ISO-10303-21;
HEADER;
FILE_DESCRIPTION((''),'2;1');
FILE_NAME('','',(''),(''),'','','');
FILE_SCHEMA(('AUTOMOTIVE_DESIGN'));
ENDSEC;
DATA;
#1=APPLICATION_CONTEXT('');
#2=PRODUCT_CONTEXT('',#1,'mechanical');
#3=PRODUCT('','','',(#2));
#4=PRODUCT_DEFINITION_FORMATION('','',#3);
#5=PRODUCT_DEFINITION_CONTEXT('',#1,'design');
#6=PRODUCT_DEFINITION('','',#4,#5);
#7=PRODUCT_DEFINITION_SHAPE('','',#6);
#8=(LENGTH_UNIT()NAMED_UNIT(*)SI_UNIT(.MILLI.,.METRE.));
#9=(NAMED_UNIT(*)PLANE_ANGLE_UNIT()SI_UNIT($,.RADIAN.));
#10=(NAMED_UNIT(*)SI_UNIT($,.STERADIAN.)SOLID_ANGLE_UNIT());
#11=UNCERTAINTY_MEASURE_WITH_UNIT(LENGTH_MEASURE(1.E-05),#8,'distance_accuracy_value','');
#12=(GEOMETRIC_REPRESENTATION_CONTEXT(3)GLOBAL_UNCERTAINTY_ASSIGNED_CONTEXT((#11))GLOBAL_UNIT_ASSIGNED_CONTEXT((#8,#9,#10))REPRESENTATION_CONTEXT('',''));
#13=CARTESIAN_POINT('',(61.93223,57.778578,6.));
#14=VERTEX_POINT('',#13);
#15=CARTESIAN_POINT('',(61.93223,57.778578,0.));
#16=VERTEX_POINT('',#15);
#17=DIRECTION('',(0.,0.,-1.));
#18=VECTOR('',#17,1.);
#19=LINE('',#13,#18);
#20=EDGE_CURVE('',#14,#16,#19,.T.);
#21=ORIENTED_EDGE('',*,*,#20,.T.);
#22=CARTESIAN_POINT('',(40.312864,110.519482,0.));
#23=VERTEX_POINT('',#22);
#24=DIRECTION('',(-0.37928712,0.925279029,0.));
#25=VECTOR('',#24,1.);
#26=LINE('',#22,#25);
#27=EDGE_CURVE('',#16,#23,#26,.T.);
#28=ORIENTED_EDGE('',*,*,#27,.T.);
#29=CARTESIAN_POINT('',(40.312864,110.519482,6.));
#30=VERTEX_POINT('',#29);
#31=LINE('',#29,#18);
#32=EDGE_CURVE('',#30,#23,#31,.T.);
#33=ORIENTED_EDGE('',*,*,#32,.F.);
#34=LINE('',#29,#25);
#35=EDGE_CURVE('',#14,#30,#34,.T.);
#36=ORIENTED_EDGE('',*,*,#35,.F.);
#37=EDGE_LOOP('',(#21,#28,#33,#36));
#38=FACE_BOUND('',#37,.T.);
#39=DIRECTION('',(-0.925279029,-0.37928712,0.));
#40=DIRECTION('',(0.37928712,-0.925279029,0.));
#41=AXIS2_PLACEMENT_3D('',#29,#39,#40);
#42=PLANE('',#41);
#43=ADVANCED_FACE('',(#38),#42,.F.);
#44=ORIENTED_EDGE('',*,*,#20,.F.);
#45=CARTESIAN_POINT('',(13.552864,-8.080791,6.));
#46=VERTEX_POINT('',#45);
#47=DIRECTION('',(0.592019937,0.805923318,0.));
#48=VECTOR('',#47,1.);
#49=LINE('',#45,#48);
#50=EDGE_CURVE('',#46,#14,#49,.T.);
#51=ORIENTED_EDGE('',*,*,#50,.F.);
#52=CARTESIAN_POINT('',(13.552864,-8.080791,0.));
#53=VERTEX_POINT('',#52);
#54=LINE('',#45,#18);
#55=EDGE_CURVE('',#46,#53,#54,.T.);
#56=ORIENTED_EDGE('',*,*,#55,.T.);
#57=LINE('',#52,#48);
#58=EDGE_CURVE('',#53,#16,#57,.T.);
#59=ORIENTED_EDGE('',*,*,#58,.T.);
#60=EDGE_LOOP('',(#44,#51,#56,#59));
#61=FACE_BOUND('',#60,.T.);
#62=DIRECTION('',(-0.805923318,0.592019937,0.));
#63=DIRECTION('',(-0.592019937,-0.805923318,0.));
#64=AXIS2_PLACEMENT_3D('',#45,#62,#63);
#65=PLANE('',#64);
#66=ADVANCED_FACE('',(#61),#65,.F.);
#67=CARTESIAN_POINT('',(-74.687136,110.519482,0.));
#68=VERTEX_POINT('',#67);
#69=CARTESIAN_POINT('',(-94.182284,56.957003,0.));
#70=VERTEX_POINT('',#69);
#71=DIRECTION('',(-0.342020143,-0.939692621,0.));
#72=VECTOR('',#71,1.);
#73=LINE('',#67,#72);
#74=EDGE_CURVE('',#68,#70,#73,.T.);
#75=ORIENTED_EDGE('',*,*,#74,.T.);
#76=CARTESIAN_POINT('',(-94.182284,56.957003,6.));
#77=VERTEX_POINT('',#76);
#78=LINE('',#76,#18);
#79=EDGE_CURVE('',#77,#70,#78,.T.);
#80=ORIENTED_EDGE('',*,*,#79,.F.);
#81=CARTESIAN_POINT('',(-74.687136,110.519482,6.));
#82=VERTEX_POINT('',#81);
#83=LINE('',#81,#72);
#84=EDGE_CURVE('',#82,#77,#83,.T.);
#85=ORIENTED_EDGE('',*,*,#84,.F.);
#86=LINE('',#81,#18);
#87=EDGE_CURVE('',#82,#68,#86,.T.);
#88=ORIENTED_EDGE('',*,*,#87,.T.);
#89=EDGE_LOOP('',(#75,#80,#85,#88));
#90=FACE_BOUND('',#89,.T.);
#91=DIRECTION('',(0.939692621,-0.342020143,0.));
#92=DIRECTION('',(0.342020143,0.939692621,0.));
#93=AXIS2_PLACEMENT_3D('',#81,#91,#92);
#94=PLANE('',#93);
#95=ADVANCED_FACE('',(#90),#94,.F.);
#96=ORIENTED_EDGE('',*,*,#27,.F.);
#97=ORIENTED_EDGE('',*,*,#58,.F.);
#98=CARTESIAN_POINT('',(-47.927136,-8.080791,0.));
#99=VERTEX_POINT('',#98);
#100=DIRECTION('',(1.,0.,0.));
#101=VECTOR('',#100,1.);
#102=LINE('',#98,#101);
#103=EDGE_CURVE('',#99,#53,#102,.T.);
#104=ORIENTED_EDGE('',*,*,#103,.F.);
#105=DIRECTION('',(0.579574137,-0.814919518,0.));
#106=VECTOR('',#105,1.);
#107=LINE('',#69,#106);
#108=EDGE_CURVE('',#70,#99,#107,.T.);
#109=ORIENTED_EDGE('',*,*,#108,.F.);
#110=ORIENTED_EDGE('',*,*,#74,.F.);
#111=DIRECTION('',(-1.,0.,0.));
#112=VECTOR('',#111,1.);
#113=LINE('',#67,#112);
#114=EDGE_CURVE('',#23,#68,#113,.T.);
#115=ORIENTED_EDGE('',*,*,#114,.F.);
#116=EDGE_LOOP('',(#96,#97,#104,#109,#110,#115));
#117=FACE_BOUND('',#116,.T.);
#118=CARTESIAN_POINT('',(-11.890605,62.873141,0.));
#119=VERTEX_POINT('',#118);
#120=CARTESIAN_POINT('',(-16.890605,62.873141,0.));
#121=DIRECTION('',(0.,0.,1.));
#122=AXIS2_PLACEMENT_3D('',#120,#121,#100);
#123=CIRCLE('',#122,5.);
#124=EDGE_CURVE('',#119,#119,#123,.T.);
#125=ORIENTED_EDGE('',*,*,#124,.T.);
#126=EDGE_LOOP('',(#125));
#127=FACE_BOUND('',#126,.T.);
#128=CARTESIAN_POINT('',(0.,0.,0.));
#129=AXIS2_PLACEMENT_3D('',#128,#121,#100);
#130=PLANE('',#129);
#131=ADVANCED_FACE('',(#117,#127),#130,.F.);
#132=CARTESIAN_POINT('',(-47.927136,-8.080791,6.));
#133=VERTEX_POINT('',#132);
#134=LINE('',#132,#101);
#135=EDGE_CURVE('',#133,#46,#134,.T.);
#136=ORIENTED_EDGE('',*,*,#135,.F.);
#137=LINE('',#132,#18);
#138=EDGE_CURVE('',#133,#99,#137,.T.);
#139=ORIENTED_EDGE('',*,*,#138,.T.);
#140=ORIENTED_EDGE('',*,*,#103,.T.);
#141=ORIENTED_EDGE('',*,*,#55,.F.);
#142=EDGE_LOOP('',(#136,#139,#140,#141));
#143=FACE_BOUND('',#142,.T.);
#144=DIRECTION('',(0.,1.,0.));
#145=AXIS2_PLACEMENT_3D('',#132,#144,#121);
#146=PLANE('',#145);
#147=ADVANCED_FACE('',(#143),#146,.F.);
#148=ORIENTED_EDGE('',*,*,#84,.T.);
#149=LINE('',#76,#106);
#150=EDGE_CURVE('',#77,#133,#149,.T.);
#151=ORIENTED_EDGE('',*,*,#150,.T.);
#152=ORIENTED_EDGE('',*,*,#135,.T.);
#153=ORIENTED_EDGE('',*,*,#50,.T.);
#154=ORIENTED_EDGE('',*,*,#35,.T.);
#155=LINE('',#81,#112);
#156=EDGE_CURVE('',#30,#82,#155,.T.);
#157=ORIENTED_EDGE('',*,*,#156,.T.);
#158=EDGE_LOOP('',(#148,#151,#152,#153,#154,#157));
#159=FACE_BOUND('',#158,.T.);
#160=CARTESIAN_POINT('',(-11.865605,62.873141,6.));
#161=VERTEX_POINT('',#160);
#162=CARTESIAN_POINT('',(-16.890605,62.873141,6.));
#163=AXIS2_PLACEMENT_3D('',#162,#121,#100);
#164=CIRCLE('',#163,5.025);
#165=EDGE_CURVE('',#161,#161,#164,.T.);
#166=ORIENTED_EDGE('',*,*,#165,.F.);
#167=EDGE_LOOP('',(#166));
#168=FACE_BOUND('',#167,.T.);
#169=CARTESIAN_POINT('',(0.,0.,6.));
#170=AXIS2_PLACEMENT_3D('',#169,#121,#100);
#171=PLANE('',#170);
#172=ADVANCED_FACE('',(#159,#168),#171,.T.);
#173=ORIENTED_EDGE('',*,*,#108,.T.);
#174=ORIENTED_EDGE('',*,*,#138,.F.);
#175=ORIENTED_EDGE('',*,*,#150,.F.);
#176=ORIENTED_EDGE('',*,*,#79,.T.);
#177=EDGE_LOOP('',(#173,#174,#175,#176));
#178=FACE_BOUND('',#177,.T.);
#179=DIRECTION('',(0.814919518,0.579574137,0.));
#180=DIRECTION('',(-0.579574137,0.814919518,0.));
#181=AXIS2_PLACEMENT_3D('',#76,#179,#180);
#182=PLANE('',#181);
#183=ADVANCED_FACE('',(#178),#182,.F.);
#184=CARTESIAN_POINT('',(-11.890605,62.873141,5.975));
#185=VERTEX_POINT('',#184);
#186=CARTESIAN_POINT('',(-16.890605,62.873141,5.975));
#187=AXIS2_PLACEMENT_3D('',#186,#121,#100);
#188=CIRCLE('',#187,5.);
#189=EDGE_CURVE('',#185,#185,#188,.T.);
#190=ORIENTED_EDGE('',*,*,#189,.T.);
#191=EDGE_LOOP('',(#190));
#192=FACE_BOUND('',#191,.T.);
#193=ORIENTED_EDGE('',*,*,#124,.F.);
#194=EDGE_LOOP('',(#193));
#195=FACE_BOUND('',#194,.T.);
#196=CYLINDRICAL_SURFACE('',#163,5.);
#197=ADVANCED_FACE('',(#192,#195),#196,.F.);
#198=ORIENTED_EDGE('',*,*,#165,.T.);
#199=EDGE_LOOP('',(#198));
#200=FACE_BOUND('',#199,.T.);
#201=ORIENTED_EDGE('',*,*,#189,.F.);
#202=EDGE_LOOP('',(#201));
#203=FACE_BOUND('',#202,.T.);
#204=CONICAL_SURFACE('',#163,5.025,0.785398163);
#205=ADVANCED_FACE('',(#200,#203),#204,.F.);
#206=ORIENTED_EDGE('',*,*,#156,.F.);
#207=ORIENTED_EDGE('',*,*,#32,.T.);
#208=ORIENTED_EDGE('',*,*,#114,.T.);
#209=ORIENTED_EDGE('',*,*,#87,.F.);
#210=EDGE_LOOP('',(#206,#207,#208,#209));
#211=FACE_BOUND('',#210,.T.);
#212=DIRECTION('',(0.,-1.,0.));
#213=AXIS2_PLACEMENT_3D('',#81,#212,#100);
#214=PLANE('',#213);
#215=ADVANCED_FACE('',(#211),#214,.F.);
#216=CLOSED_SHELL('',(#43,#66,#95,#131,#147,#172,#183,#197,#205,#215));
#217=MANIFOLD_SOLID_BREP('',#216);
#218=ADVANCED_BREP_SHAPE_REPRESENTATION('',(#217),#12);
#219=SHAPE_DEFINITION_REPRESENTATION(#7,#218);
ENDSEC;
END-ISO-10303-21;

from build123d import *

# Parameters (mm, degrees)
BOSS_EXTRUDE1_DEPTH              = 6
F_10_0MM_DOWEL_HOLE2_D           = 10
F_10_0MM_DOWEL_HOLE2_DEPTH       = 50
F_10_0MM_DOWEL_HOLE2_CSINK_D     = 10.05
F_10_0MM_DOWEL_HOLE2_CSINK_ANGLE = 90
F_10_0MM_DOWEL_HOLE2_TIP         = 3.004303095


with BuildPart() as part:
    # Sketch1 → Boss-Extrude1 (new body)
    with BuildSketch(Plane.XY):
        Polygon((-47.927135712, -8.080790765), (13.552864288, -8.080790765), (61.932230114, 57.778577521), (40.312864288, 110.519482152), (-74.687135712, 110.519482152), (-94.182283881, 56.957002767), align=None)
    extrude(amount=BOSS_EXTRUDE1_DEPTH)

    # Ø10.0mm Dowel Hole2
    with Locations(Plane.XY.offset(6)):
        with Locations((-16.890604688, 62.873141165)):
            CounterSinkHole(F_10_0MM_DOWEL_HOLE2_D / 2, F_10_0MM_DOWEL_HOLE2_CSINK_D / 2, depth=F_10_0MM_DOWEL_HOLE2_DEPTH, counter_sink_angle=F_10_0MM_DOWEL_HOLE2_CSINK_ANGLE)
            with Locations((0, 0, -(F_10_0MM_DOWEL_HOLE2_DEPTH + F_10_0MM_DOWEL_HOLE2_TIP / 2))):  # 118° drill point
                Cone(0, F_10_0MM_DOWEL_HOLE2_D / 2, F_10_0MM_DOWEL_HOLE2_TIP, mode=Mode.SUBTRACT)


solid = part.part
